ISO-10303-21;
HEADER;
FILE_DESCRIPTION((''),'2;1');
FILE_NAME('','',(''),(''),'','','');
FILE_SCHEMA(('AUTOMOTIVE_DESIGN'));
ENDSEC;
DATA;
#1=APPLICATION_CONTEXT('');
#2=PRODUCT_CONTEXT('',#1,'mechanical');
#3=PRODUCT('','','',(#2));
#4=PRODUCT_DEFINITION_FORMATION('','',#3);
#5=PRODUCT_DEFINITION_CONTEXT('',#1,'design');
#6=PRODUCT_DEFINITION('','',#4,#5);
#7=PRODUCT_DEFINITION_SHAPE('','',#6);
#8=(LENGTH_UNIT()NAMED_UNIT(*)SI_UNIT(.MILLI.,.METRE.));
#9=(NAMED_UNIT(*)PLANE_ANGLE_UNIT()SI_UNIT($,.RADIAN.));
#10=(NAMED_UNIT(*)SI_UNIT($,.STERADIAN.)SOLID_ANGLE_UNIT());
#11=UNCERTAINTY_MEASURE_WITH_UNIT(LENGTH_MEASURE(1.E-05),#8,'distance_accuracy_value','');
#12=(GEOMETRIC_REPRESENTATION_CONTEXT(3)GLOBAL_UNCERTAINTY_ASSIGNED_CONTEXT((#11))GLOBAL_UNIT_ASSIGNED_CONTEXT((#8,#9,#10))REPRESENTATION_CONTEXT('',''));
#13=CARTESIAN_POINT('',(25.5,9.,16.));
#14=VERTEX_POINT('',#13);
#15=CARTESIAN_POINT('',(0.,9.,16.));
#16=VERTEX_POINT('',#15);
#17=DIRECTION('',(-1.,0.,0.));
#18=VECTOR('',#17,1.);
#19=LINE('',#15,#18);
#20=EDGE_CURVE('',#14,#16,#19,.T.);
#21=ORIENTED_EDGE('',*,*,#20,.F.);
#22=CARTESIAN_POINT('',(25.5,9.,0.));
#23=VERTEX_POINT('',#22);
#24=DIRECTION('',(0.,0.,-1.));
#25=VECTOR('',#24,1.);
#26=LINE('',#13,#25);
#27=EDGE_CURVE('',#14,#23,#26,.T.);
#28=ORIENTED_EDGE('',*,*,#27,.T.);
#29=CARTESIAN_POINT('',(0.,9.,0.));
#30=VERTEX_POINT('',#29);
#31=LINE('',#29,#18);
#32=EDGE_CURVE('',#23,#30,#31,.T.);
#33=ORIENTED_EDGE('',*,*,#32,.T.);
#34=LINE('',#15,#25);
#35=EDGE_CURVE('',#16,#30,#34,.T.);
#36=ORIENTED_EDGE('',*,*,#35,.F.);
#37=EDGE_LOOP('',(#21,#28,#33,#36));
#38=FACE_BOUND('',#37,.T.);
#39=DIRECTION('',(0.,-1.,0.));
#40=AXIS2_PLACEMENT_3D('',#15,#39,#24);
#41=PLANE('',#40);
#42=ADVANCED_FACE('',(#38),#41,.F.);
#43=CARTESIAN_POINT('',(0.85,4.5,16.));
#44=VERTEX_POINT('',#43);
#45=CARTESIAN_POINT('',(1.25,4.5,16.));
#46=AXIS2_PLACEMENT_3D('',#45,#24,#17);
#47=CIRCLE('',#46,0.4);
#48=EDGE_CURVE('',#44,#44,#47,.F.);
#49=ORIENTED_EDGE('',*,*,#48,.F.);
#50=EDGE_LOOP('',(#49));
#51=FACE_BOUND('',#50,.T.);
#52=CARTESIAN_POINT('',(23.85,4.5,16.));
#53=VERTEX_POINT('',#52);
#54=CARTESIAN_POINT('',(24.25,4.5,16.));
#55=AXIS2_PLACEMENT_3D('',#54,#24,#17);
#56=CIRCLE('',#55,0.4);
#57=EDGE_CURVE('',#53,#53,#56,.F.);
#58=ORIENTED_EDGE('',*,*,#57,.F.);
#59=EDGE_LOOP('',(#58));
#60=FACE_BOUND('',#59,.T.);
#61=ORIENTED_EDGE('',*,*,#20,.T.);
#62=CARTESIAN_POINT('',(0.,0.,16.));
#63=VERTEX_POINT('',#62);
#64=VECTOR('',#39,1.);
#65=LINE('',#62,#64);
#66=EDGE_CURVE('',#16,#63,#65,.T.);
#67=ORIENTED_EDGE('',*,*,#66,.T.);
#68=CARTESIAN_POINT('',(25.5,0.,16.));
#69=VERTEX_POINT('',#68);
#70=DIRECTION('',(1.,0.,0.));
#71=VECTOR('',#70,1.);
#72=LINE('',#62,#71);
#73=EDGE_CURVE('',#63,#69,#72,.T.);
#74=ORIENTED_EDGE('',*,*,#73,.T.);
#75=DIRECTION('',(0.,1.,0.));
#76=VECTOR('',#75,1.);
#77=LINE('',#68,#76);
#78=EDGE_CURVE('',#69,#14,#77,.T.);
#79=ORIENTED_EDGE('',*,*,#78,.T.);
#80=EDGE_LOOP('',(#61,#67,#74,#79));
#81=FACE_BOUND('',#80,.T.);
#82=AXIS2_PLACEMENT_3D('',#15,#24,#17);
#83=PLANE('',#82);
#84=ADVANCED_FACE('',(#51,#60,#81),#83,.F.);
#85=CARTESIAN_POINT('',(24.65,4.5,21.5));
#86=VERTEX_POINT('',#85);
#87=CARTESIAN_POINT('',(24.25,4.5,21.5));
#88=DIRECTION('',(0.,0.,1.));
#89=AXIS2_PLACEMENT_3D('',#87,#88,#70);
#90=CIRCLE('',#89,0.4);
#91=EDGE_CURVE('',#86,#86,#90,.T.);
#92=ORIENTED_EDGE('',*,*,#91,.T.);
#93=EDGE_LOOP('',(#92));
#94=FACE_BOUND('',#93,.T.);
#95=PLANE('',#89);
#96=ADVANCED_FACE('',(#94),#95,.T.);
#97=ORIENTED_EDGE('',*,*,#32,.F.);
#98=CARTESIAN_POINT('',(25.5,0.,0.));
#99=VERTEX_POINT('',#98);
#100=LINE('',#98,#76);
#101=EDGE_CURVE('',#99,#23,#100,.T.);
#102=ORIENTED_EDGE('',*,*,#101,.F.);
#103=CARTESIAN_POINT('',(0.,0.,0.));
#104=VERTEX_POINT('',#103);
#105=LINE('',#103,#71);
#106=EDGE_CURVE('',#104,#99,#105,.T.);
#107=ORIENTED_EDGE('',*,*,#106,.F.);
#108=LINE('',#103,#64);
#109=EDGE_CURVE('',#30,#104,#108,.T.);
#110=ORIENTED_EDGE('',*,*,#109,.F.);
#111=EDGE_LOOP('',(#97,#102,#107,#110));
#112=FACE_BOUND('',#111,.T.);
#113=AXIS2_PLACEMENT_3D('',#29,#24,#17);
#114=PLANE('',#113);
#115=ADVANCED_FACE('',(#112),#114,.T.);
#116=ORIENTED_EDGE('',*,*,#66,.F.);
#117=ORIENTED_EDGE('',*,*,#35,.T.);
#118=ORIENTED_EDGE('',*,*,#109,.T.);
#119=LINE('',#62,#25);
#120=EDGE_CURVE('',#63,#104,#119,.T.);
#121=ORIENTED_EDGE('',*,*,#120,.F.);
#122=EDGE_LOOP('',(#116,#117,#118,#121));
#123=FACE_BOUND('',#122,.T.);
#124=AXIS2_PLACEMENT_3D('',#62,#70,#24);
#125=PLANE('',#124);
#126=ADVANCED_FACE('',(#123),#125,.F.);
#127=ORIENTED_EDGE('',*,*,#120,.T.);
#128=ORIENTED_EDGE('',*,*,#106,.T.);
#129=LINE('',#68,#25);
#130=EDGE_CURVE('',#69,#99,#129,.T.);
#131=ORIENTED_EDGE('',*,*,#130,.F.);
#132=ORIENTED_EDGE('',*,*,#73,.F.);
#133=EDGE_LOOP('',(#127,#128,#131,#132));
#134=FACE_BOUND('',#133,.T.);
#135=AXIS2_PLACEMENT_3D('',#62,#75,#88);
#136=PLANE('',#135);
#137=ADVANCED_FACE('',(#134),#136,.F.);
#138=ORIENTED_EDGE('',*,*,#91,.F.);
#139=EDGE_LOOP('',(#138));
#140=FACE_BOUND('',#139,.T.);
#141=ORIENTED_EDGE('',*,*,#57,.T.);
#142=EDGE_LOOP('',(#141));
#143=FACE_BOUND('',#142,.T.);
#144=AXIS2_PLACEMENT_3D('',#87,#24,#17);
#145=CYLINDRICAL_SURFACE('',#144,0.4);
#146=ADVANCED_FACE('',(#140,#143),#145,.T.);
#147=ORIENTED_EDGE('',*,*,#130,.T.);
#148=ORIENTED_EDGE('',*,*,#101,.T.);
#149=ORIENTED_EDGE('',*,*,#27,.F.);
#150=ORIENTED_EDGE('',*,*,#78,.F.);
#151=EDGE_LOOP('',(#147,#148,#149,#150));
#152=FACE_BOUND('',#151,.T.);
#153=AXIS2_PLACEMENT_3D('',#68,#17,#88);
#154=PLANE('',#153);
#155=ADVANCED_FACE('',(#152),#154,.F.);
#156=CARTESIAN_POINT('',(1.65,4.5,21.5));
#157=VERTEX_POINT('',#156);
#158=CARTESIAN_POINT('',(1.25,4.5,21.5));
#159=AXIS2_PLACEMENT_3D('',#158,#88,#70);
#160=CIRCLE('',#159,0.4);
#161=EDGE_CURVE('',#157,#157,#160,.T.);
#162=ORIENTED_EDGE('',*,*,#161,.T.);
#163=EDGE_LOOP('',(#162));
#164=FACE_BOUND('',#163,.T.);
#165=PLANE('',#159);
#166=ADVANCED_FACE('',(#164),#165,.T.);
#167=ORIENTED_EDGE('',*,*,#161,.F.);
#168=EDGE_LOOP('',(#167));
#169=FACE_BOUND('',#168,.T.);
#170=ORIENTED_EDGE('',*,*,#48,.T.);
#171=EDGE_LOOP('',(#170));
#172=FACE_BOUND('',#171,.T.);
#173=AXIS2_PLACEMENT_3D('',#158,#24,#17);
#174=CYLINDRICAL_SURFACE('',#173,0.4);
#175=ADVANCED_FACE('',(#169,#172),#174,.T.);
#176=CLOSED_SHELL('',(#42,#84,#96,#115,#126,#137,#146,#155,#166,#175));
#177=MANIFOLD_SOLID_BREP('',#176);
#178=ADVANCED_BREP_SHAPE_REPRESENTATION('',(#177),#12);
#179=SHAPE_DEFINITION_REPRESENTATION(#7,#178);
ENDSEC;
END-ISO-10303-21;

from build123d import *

# Parameters (mm, degrees)
SKETCH_1_W      = 25.5
SKETCH_1_H      = 9
EXTRUDE_1_DEPTH = 16
SKETCH_2_R      = 0.4
EXTRUDE_2_DEPTH = 5.5


with BuildPart() as part:
    # Эскиз1 → Вытянуть1 (new body)
    with BuildSketch(Plane.XY):
        with Locations((12.75, 4.5)):
            Rectangle(SKETCH_1_W, SKETCH_1_H)
    extrude(amount=EXTRUDE_1_DEPTH)

    # Эскиз2 → Вытянуть2 (add)
    with BuildSketch(Plane.XY.offset(16)):
        with Locations(Location((1.25, 4.5, 0), (0, 0, 180))):
            Circle(SKETCH_2_R)
        with Locations(Location((24.25, 4.5, 0), (0, 0, 180))):
            Circle(SKETCH_2_R)
    extrude(amount=EXTRUDE_2_DEPTH)


solid = part.part
